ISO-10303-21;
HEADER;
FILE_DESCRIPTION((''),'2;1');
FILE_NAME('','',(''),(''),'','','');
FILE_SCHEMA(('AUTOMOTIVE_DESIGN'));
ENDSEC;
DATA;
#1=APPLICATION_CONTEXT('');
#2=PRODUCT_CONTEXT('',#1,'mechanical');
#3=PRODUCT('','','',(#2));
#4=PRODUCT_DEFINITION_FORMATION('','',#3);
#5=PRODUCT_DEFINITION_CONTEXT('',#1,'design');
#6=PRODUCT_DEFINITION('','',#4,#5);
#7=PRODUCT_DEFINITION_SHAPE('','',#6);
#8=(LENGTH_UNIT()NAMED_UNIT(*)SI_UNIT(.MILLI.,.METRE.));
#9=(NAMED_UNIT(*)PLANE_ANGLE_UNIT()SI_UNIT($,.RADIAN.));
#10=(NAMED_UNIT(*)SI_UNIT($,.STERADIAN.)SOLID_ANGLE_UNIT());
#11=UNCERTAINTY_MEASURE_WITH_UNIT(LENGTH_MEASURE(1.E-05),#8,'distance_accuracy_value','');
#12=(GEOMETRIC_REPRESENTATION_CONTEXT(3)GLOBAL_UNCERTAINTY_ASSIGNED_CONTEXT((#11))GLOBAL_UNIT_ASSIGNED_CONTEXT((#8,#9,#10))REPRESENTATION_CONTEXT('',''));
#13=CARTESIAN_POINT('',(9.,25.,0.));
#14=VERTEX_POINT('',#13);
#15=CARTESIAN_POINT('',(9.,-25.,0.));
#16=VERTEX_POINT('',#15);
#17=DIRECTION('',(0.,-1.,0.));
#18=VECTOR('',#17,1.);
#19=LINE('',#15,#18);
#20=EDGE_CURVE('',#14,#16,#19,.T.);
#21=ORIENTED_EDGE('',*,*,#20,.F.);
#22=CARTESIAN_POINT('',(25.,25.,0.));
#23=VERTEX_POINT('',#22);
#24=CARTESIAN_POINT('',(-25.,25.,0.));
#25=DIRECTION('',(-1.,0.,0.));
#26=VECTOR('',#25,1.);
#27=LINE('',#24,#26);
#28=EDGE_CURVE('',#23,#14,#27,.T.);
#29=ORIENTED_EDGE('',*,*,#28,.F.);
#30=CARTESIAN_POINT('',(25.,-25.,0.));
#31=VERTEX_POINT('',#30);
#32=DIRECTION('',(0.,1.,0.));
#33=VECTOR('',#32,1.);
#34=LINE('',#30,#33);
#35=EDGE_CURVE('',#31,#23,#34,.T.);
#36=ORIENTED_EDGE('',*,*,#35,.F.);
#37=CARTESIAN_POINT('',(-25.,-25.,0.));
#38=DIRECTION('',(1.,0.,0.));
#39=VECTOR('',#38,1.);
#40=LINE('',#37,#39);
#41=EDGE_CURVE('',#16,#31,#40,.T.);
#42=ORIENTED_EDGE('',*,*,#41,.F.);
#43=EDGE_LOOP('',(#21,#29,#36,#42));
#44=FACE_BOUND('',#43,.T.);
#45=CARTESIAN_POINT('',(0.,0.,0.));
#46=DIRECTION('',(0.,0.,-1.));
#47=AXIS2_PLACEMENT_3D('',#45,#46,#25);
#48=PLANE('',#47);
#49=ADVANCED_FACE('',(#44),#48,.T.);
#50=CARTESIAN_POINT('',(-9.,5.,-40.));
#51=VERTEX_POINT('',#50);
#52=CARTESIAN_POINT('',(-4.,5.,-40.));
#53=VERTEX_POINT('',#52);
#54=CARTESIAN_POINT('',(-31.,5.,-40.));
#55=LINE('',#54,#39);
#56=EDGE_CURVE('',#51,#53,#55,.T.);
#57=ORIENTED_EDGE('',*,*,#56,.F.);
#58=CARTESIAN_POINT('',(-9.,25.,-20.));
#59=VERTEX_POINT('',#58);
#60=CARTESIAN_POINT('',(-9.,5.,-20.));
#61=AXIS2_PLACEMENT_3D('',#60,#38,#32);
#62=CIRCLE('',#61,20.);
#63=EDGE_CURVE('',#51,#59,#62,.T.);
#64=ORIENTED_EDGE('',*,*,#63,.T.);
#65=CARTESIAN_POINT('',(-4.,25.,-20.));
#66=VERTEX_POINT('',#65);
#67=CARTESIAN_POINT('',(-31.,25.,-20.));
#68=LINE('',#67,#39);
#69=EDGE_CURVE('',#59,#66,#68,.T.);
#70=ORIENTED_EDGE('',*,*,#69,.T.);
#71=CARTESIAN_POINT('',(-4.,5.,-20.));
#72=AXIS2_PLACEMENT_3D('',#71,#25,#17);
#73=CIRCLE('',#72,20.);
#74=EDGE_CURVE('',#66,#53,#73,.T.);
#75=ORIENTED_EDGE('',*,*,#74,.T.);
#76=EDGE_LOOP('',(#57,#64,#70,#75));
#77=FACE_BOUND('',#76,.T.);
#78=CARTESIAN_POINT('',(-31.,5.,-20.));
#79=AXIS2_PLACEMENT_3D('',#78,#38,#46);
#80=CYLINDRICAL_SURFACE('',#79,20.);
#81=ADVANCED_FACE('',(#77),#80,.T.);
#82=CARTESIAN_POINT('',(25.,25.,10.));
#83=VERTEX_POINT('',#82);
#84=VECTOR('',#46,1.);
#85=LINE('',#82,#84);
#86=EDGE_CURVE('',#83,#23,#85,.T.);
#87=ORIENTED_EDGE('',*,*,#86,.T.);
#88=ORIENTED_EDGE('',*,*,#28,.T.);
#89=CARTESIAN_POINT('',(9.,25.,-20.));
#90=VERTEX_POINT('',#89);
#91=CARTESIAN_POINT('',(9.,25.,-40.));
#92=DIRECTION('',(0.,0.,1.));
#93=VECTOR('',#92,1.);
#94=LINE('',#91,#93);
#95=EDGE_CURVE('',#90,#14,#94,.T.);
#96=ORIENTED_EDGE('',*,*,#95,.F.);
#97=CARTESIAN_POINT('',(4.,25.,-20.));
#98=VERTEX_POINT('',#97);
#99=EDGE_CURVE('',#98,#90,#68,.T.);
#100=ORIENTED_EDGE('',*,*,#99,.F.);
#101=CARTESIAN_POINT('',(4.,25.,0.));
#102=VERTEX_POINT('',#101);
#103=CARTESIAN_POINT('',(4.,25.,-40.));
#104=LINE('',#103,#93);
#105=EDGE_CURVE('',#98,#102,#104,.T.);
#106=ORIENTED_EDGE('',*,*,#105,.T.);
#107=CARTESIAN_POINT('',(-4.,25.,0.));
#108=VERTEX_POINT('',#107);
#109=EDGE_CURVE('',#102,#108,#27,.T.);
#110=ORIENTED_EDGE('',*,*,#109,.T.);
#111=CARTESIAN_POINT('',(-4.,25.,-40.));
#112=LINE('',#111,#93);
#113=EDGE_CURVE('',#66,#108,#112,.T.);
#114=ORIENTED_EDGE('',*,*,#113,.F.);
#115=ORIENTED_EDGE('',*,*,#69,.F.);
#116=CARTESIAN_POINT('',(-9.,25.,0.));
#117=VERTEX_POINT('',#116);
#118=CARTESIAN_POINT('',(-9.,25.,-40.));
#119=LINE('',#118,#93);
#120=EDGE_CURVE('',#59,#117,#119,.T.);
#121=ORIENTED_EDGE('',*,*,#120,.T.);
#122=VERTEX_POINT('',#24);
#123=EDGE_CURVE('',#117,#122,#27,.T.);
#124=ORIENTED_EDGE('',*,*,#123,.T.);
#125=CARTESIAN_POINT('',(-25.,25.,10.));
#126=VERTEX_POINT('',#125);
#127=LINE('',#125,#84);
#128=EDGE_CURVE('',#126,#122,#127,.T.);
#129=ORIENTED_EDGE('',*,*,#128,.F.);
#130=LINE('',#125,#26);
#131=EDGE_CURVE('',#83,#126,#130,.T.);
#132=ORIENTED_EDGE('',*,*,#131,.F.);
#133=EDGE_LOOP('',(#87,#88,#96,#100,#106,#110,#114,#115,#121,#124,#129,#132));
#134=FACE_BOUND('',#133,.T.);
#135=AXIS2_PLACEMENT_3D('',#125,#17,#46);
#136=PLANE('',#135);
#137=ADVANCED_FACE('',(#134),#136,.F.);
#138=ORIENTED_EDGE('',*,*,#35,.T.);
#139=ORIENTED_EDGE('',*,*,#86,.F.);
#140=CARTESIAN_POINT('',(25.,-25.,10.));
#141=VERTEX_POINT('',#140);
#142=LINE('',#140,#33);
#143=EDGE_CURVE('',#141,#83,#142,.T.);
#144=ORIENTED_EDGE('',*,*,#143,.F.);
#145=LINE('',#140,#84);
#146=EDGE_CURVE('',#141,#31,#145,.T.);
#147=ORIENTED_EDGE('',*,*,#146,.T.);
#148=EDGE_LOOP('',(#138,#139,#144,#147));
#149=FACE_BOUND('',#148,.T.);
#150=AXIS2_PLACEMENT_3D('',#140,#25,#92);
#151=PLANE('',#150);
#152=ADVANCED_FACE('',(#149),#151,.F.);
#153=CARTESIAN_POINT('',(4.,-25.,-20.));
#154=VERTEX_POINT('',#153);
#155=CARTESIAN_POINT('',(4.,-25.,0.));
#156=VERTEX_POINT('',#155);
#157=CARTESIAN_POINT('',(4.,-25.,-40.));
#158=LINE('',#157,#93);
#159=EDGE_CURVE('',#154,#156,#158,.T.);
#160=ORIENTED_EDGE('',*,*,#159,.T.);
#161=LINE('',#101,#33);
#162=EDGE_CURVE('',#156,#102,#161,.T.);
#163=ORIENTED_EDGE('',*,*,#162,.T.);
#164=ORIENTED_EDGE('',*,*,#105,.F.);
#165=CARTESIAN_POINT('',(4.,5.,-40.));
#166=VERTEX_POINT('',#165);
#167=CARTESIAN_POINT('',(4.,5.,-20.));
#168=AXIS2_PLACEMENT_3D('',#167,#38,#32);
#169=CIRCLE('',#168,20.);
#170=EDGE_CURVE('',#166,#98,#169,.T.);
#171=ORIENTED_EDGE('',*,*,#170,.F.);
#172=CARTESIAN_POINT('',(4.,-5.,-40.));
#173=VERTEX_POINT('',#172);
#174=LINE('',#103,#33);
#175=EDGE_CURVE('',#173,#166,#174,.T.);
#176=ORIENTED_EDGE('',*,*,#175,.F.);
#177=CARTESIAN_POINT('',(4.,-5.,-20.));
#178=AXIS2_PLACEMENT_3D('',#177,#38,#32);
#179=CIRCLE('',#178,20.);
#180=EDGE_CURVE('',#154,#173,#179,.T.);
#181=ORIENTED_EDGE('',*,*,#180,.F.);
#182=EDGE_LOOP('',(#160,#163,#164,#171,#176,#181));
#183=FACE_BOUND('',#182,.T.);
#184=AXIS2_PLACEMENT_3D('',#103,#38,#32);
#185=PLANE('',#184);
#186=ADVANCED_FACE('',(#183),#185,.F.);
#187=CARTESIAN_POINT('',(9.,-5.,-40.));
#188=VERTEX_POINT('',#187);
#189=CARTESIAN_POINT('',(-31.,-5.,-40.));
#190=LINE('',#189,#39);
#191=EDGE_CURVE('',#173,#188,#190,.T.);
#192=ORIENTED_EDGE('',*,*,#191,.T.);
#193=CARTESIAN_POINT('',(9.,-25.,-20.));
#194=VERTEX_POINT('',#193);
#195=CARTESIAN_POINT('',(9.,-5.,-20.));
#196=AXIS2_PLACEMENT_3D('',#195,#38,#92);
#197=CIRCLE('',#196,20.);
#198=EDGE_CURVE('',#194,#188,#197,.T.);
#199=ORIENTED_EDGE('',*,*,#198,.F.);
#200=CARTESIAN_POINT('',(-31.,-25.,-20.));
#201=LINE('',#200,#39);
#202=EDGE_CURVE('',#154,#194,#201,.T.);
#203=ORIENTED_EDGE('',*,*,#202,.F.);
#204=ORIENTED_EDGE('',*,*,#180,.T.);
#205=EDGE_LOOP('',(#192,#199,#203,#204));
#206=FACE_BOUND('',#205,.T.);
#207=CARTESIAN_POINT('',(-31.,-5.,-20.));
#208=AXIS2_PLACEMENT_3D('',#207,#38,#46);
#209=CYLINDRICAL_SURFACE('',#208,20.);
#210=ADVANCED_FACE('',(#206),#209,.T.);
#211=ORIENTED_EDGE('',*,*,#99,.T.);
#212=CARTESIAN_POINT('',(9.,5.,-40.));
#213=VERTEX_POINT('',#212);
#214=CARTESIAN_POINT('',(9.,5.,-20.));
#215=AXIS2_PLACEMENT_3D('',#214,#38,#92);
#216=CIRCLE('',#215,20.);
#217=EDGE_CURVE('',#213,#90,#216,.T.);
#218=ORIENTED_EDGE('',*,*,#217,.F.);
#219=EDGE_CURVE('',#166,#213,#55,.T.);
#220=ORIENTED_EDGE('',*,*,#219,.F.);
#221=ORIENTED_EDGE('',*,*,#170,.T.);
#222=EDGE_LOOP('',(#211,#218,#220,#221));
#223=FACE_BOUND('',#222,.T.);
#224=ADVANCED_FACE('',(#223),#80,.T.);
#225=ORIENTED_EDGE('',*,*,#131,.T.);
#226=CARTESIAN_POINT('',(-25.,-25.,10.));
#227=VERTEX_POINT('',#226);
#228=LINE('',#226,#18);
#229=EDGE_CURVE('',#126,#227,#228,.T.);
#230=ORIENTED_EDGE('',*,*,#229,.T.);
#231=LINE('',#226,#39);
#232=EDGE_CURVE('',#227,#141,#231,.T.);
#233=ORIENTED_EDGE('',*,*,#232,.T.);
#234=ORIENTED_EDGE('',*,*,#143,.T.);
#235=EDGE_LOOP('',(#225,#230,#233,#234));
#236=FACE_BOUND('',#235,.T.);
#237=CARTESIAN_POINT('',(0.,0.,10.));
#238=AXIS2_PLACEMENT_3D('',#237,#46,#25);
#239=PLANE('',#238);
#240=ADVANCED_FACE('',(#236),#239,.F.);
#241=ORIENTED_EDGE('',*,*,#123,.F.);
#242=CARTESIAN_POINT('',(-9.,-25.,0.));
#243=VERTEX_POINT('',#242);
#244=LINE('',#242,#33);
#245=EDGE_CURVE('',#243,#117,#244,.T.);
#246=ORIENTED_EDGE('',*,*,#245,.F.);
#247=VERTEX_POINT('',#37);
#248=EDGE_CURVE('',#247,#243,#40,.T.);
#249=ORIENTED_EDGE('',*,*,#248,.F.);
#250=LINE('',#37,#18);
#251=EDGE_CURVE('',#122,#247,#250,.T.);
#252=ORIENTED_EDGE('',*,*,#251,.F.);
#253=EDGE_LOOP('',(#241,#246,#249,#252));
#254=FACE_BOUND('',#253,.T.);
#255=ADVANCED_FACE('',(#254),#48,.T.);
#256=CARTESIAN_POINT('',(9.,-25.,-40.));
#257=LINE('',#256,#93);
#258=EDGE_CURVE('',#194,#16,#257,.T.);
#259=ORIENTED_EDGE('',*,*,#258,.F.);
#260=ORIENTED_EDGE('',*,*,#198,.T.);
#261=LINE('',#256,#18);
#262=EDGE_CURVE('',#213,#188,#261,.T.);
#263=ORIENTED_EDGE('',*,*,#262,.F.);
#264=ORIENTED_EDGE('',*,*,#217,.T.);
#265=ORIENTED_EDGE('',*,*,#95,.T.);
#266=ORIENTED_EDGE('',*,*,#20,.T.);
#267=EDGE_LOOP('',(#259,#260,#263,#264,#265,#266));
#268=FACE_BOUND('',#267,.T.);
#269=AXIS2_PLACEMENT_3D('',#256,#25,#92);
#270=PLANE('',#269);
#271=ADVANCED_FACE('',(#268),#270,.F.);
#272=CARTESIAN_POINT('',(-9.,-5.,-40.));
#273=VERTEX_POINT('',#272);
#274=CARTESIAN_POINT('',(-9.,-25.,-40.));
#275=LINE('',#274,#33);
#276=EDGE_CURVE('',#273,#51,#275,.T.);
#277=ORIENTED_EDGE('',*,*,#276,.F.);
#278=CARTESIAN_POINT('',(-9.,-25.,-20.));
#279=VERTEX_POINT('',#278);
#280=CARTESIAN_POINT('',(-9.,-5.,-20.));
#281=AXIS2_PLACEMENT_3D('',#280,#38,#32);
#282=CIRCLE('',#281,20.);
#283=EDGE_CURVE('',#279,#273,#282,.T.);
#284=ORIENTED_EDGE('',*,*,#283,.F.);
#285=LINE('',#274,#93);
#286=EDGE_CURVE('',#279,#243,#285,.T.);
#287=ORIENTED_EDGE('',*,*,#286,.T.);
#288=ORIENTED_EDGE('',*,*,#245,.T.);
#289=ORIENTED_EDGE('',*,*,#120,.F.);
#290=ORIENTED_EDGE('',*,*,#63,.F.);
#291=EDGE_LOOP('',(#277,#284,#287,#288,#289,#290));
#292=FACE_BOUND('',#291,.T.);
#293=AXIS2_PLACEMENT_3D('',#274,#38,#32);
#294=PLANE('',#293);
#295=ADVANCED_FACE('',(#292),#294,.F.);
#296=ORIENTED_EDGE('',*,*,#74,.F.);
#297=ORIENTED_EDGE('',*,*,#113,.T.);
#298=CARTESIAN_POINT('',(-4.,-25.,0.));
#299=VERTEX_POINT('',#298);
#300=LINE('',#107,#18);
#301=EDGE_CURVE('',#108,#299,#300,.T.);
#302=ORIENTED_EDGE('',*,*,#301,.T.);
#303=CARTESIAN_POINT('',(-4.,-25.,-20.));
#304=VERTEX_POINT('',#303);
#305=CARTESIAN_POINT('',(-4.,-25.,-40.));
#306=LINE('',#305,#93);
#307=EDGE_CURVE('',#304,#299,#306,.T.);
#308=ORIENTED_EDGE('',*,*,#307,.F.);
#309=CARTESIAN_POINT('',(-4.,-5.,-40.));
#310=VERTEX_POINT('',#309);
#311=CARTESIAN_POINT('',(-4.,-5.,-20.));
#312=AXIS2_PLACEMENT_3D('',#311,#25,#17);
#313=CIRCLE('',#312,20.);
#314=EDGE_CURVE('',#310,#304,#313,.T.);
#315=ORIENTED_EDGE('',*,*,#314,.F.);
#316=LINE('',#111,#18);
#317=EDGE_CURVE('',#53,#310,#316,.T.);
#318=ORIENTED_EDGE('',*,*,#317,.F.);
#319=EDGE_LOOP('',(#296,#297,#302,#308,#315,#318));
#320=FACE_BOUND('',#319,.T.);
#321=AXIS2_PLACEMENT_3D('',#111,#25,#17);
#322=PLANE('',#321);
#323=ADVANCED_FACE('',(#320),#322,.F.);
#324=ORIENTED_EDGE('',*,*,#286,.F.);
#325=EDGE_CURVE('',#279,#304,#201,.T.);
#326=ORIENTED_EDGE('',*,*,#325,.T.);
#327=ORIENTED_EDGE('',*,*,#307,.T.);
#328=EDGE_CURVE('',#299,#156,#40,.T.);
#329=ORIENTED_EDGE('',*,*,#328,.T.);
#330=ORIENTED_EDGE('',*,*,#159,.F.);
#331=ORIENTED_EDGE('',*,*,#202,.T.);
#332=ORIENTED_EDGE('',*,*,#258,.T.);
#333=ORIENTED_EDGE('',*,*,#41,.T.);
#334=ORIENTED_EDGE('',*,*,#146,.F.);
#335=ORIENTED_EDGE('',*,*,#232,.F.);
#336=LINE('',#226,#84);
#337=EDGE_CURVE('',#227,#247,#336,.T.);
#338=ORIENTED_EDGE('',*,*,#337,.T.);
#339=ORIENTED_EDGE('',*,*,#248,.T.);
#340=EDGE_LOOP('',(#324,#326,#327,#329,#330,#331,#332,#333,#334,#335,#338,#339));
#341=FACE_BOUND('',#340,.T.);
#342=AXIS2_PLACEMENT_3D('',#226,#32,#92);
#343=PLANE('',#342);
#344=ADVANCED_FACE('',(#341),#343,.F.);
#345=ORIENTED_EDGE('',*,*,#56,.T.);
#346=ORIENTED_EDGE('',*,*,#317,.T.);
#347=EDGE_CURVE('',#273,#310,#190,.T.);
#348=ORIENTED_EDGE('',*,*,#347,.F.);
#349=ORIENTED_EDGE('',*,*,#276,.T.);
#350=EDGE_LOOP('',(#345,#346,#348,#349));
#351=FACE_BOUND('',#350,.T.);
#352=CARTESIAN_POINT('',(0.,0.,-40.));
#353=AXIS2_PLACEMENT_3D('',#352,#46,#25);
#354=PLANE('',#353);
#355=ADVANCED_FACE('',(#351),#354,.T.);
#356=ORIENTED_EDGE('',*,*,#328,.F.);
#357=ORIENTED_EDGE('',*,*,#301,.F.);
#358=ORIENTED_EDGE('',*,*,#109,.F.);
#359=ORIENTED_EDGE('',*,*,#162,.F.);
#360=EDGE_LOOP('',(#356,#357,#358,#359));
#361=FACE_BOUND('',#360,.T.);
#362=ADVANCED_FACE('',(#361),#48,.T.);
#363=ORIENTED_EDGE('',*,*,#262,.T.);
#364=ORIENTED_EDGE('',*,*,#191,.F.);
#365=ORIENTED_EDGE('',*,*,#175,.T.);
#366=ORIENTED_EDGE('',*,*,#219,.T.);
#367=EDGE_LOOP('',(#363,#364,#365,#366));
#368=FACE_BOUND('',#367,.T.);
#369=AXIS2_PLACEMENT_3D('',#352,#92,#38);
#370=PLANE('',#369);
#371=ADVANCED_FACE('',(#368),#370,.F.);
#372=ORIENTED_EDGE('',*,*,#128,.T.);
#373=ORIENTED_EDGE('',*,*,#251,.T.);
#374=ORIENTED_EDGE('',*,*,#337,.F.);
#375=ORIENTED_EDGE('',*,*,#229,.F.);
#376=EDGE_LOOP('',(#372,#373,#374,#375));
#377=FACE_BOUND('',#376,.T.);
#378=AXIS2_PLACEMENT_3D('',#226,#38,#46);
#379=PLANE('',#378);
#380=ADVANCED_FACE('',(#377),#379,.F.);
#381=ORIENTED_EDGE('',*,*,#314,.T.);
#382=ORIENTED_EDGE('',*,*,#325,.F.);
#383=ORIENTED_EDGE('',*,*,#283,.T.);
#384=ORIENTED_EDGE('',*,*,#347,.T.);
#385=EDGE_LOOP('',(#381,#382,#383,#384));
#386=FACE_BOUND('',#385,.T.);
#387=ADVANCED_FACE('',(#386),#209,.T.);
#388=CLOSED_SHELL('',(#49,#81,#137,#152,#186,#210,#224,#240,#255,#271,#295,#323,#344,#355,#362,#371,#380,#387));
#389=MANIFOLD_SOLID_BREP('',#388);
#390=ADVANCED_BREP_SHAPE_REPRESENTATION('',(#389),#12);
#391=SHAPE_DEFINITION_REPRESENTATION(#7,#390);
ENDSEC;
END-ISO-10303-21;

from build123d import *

# Parameters (mm, degrees)
SZKIC1_W                                   = 50
SZKIC1_H                                   = 50
DODANIE_WYCI_GNI_CIE1_DEPTH                = 10
SZKIC2_W                                   = 5
SZKIC2_H                                   = 50
DODANIE_WYCI_GNI_CIE2_DEPTH                = 40
WYCI_CIE_WYCI_GNI_CIE_CIENKA_CIANKA2_DEPTH = 40


with BuildPart() as part:
    # Szkic1 → Dodanie-wyciągnięcie1 (new body)
    with BuildSketch(Plane.XY):
        Rectangle(SZKIC1_W, SZKIC1_H)
    extrude(amount=DODANIE_WYCI_GNI_CIE1_DEPTH)

    # Szkic2 → Dodanie-wyciągnięcie2 (add)
    with BuildSketch(Plane(origin=(0, 0, 0), x_dir=(-1, 0, 0), z_dir=(0, 0, -1))):
        with Locations((-6.5, 0)):
            Rectangle(SZKIC2_W, SZKIC2_H)
        with Locations((6.5, 0)):
            Rectangle(SZKIC2_W, SZKIC2_H)
    extrude(amount=DODANIE_WYCI_GNI_CIE2_DEPTH)

    # Szkic4 → Wycięcie-wyciągnięcie-cienka ścianka2 (cut)
    with BuildSketch(Plane(origin=(9, 0, 0), x_dir=(0, 0, -1), z_dir=(1, 0, 0))):
        with BuildLine():
            ThreePointArc((40, -5), (34.142135624, -19.142135624), (20, -25))
            Line((20, -25), (20, -35))
            ThreePointArc((20, -35), (41.213203436, -26.213203436), (50, -5))
            Line((50, -5), (40, -5))
        make_face()
        with BuildLine():
            ThreePointArc((20, 25), (34.142135624, 19.142135624), (40, 5))
            Line((40, 5), (50, 5))
            ThreePointArc((50, 5), (41.213203436, 26.213203436), (20, 35))
            Line((20, 35), (20, 25))
        make_face()
    extrude(amount=-WYCI_CIE_WYCI_GNI_CIE_CIENKA_CIANKA2_DEPTH, mode=Mode.SUBTRACT)


solid = part.part
